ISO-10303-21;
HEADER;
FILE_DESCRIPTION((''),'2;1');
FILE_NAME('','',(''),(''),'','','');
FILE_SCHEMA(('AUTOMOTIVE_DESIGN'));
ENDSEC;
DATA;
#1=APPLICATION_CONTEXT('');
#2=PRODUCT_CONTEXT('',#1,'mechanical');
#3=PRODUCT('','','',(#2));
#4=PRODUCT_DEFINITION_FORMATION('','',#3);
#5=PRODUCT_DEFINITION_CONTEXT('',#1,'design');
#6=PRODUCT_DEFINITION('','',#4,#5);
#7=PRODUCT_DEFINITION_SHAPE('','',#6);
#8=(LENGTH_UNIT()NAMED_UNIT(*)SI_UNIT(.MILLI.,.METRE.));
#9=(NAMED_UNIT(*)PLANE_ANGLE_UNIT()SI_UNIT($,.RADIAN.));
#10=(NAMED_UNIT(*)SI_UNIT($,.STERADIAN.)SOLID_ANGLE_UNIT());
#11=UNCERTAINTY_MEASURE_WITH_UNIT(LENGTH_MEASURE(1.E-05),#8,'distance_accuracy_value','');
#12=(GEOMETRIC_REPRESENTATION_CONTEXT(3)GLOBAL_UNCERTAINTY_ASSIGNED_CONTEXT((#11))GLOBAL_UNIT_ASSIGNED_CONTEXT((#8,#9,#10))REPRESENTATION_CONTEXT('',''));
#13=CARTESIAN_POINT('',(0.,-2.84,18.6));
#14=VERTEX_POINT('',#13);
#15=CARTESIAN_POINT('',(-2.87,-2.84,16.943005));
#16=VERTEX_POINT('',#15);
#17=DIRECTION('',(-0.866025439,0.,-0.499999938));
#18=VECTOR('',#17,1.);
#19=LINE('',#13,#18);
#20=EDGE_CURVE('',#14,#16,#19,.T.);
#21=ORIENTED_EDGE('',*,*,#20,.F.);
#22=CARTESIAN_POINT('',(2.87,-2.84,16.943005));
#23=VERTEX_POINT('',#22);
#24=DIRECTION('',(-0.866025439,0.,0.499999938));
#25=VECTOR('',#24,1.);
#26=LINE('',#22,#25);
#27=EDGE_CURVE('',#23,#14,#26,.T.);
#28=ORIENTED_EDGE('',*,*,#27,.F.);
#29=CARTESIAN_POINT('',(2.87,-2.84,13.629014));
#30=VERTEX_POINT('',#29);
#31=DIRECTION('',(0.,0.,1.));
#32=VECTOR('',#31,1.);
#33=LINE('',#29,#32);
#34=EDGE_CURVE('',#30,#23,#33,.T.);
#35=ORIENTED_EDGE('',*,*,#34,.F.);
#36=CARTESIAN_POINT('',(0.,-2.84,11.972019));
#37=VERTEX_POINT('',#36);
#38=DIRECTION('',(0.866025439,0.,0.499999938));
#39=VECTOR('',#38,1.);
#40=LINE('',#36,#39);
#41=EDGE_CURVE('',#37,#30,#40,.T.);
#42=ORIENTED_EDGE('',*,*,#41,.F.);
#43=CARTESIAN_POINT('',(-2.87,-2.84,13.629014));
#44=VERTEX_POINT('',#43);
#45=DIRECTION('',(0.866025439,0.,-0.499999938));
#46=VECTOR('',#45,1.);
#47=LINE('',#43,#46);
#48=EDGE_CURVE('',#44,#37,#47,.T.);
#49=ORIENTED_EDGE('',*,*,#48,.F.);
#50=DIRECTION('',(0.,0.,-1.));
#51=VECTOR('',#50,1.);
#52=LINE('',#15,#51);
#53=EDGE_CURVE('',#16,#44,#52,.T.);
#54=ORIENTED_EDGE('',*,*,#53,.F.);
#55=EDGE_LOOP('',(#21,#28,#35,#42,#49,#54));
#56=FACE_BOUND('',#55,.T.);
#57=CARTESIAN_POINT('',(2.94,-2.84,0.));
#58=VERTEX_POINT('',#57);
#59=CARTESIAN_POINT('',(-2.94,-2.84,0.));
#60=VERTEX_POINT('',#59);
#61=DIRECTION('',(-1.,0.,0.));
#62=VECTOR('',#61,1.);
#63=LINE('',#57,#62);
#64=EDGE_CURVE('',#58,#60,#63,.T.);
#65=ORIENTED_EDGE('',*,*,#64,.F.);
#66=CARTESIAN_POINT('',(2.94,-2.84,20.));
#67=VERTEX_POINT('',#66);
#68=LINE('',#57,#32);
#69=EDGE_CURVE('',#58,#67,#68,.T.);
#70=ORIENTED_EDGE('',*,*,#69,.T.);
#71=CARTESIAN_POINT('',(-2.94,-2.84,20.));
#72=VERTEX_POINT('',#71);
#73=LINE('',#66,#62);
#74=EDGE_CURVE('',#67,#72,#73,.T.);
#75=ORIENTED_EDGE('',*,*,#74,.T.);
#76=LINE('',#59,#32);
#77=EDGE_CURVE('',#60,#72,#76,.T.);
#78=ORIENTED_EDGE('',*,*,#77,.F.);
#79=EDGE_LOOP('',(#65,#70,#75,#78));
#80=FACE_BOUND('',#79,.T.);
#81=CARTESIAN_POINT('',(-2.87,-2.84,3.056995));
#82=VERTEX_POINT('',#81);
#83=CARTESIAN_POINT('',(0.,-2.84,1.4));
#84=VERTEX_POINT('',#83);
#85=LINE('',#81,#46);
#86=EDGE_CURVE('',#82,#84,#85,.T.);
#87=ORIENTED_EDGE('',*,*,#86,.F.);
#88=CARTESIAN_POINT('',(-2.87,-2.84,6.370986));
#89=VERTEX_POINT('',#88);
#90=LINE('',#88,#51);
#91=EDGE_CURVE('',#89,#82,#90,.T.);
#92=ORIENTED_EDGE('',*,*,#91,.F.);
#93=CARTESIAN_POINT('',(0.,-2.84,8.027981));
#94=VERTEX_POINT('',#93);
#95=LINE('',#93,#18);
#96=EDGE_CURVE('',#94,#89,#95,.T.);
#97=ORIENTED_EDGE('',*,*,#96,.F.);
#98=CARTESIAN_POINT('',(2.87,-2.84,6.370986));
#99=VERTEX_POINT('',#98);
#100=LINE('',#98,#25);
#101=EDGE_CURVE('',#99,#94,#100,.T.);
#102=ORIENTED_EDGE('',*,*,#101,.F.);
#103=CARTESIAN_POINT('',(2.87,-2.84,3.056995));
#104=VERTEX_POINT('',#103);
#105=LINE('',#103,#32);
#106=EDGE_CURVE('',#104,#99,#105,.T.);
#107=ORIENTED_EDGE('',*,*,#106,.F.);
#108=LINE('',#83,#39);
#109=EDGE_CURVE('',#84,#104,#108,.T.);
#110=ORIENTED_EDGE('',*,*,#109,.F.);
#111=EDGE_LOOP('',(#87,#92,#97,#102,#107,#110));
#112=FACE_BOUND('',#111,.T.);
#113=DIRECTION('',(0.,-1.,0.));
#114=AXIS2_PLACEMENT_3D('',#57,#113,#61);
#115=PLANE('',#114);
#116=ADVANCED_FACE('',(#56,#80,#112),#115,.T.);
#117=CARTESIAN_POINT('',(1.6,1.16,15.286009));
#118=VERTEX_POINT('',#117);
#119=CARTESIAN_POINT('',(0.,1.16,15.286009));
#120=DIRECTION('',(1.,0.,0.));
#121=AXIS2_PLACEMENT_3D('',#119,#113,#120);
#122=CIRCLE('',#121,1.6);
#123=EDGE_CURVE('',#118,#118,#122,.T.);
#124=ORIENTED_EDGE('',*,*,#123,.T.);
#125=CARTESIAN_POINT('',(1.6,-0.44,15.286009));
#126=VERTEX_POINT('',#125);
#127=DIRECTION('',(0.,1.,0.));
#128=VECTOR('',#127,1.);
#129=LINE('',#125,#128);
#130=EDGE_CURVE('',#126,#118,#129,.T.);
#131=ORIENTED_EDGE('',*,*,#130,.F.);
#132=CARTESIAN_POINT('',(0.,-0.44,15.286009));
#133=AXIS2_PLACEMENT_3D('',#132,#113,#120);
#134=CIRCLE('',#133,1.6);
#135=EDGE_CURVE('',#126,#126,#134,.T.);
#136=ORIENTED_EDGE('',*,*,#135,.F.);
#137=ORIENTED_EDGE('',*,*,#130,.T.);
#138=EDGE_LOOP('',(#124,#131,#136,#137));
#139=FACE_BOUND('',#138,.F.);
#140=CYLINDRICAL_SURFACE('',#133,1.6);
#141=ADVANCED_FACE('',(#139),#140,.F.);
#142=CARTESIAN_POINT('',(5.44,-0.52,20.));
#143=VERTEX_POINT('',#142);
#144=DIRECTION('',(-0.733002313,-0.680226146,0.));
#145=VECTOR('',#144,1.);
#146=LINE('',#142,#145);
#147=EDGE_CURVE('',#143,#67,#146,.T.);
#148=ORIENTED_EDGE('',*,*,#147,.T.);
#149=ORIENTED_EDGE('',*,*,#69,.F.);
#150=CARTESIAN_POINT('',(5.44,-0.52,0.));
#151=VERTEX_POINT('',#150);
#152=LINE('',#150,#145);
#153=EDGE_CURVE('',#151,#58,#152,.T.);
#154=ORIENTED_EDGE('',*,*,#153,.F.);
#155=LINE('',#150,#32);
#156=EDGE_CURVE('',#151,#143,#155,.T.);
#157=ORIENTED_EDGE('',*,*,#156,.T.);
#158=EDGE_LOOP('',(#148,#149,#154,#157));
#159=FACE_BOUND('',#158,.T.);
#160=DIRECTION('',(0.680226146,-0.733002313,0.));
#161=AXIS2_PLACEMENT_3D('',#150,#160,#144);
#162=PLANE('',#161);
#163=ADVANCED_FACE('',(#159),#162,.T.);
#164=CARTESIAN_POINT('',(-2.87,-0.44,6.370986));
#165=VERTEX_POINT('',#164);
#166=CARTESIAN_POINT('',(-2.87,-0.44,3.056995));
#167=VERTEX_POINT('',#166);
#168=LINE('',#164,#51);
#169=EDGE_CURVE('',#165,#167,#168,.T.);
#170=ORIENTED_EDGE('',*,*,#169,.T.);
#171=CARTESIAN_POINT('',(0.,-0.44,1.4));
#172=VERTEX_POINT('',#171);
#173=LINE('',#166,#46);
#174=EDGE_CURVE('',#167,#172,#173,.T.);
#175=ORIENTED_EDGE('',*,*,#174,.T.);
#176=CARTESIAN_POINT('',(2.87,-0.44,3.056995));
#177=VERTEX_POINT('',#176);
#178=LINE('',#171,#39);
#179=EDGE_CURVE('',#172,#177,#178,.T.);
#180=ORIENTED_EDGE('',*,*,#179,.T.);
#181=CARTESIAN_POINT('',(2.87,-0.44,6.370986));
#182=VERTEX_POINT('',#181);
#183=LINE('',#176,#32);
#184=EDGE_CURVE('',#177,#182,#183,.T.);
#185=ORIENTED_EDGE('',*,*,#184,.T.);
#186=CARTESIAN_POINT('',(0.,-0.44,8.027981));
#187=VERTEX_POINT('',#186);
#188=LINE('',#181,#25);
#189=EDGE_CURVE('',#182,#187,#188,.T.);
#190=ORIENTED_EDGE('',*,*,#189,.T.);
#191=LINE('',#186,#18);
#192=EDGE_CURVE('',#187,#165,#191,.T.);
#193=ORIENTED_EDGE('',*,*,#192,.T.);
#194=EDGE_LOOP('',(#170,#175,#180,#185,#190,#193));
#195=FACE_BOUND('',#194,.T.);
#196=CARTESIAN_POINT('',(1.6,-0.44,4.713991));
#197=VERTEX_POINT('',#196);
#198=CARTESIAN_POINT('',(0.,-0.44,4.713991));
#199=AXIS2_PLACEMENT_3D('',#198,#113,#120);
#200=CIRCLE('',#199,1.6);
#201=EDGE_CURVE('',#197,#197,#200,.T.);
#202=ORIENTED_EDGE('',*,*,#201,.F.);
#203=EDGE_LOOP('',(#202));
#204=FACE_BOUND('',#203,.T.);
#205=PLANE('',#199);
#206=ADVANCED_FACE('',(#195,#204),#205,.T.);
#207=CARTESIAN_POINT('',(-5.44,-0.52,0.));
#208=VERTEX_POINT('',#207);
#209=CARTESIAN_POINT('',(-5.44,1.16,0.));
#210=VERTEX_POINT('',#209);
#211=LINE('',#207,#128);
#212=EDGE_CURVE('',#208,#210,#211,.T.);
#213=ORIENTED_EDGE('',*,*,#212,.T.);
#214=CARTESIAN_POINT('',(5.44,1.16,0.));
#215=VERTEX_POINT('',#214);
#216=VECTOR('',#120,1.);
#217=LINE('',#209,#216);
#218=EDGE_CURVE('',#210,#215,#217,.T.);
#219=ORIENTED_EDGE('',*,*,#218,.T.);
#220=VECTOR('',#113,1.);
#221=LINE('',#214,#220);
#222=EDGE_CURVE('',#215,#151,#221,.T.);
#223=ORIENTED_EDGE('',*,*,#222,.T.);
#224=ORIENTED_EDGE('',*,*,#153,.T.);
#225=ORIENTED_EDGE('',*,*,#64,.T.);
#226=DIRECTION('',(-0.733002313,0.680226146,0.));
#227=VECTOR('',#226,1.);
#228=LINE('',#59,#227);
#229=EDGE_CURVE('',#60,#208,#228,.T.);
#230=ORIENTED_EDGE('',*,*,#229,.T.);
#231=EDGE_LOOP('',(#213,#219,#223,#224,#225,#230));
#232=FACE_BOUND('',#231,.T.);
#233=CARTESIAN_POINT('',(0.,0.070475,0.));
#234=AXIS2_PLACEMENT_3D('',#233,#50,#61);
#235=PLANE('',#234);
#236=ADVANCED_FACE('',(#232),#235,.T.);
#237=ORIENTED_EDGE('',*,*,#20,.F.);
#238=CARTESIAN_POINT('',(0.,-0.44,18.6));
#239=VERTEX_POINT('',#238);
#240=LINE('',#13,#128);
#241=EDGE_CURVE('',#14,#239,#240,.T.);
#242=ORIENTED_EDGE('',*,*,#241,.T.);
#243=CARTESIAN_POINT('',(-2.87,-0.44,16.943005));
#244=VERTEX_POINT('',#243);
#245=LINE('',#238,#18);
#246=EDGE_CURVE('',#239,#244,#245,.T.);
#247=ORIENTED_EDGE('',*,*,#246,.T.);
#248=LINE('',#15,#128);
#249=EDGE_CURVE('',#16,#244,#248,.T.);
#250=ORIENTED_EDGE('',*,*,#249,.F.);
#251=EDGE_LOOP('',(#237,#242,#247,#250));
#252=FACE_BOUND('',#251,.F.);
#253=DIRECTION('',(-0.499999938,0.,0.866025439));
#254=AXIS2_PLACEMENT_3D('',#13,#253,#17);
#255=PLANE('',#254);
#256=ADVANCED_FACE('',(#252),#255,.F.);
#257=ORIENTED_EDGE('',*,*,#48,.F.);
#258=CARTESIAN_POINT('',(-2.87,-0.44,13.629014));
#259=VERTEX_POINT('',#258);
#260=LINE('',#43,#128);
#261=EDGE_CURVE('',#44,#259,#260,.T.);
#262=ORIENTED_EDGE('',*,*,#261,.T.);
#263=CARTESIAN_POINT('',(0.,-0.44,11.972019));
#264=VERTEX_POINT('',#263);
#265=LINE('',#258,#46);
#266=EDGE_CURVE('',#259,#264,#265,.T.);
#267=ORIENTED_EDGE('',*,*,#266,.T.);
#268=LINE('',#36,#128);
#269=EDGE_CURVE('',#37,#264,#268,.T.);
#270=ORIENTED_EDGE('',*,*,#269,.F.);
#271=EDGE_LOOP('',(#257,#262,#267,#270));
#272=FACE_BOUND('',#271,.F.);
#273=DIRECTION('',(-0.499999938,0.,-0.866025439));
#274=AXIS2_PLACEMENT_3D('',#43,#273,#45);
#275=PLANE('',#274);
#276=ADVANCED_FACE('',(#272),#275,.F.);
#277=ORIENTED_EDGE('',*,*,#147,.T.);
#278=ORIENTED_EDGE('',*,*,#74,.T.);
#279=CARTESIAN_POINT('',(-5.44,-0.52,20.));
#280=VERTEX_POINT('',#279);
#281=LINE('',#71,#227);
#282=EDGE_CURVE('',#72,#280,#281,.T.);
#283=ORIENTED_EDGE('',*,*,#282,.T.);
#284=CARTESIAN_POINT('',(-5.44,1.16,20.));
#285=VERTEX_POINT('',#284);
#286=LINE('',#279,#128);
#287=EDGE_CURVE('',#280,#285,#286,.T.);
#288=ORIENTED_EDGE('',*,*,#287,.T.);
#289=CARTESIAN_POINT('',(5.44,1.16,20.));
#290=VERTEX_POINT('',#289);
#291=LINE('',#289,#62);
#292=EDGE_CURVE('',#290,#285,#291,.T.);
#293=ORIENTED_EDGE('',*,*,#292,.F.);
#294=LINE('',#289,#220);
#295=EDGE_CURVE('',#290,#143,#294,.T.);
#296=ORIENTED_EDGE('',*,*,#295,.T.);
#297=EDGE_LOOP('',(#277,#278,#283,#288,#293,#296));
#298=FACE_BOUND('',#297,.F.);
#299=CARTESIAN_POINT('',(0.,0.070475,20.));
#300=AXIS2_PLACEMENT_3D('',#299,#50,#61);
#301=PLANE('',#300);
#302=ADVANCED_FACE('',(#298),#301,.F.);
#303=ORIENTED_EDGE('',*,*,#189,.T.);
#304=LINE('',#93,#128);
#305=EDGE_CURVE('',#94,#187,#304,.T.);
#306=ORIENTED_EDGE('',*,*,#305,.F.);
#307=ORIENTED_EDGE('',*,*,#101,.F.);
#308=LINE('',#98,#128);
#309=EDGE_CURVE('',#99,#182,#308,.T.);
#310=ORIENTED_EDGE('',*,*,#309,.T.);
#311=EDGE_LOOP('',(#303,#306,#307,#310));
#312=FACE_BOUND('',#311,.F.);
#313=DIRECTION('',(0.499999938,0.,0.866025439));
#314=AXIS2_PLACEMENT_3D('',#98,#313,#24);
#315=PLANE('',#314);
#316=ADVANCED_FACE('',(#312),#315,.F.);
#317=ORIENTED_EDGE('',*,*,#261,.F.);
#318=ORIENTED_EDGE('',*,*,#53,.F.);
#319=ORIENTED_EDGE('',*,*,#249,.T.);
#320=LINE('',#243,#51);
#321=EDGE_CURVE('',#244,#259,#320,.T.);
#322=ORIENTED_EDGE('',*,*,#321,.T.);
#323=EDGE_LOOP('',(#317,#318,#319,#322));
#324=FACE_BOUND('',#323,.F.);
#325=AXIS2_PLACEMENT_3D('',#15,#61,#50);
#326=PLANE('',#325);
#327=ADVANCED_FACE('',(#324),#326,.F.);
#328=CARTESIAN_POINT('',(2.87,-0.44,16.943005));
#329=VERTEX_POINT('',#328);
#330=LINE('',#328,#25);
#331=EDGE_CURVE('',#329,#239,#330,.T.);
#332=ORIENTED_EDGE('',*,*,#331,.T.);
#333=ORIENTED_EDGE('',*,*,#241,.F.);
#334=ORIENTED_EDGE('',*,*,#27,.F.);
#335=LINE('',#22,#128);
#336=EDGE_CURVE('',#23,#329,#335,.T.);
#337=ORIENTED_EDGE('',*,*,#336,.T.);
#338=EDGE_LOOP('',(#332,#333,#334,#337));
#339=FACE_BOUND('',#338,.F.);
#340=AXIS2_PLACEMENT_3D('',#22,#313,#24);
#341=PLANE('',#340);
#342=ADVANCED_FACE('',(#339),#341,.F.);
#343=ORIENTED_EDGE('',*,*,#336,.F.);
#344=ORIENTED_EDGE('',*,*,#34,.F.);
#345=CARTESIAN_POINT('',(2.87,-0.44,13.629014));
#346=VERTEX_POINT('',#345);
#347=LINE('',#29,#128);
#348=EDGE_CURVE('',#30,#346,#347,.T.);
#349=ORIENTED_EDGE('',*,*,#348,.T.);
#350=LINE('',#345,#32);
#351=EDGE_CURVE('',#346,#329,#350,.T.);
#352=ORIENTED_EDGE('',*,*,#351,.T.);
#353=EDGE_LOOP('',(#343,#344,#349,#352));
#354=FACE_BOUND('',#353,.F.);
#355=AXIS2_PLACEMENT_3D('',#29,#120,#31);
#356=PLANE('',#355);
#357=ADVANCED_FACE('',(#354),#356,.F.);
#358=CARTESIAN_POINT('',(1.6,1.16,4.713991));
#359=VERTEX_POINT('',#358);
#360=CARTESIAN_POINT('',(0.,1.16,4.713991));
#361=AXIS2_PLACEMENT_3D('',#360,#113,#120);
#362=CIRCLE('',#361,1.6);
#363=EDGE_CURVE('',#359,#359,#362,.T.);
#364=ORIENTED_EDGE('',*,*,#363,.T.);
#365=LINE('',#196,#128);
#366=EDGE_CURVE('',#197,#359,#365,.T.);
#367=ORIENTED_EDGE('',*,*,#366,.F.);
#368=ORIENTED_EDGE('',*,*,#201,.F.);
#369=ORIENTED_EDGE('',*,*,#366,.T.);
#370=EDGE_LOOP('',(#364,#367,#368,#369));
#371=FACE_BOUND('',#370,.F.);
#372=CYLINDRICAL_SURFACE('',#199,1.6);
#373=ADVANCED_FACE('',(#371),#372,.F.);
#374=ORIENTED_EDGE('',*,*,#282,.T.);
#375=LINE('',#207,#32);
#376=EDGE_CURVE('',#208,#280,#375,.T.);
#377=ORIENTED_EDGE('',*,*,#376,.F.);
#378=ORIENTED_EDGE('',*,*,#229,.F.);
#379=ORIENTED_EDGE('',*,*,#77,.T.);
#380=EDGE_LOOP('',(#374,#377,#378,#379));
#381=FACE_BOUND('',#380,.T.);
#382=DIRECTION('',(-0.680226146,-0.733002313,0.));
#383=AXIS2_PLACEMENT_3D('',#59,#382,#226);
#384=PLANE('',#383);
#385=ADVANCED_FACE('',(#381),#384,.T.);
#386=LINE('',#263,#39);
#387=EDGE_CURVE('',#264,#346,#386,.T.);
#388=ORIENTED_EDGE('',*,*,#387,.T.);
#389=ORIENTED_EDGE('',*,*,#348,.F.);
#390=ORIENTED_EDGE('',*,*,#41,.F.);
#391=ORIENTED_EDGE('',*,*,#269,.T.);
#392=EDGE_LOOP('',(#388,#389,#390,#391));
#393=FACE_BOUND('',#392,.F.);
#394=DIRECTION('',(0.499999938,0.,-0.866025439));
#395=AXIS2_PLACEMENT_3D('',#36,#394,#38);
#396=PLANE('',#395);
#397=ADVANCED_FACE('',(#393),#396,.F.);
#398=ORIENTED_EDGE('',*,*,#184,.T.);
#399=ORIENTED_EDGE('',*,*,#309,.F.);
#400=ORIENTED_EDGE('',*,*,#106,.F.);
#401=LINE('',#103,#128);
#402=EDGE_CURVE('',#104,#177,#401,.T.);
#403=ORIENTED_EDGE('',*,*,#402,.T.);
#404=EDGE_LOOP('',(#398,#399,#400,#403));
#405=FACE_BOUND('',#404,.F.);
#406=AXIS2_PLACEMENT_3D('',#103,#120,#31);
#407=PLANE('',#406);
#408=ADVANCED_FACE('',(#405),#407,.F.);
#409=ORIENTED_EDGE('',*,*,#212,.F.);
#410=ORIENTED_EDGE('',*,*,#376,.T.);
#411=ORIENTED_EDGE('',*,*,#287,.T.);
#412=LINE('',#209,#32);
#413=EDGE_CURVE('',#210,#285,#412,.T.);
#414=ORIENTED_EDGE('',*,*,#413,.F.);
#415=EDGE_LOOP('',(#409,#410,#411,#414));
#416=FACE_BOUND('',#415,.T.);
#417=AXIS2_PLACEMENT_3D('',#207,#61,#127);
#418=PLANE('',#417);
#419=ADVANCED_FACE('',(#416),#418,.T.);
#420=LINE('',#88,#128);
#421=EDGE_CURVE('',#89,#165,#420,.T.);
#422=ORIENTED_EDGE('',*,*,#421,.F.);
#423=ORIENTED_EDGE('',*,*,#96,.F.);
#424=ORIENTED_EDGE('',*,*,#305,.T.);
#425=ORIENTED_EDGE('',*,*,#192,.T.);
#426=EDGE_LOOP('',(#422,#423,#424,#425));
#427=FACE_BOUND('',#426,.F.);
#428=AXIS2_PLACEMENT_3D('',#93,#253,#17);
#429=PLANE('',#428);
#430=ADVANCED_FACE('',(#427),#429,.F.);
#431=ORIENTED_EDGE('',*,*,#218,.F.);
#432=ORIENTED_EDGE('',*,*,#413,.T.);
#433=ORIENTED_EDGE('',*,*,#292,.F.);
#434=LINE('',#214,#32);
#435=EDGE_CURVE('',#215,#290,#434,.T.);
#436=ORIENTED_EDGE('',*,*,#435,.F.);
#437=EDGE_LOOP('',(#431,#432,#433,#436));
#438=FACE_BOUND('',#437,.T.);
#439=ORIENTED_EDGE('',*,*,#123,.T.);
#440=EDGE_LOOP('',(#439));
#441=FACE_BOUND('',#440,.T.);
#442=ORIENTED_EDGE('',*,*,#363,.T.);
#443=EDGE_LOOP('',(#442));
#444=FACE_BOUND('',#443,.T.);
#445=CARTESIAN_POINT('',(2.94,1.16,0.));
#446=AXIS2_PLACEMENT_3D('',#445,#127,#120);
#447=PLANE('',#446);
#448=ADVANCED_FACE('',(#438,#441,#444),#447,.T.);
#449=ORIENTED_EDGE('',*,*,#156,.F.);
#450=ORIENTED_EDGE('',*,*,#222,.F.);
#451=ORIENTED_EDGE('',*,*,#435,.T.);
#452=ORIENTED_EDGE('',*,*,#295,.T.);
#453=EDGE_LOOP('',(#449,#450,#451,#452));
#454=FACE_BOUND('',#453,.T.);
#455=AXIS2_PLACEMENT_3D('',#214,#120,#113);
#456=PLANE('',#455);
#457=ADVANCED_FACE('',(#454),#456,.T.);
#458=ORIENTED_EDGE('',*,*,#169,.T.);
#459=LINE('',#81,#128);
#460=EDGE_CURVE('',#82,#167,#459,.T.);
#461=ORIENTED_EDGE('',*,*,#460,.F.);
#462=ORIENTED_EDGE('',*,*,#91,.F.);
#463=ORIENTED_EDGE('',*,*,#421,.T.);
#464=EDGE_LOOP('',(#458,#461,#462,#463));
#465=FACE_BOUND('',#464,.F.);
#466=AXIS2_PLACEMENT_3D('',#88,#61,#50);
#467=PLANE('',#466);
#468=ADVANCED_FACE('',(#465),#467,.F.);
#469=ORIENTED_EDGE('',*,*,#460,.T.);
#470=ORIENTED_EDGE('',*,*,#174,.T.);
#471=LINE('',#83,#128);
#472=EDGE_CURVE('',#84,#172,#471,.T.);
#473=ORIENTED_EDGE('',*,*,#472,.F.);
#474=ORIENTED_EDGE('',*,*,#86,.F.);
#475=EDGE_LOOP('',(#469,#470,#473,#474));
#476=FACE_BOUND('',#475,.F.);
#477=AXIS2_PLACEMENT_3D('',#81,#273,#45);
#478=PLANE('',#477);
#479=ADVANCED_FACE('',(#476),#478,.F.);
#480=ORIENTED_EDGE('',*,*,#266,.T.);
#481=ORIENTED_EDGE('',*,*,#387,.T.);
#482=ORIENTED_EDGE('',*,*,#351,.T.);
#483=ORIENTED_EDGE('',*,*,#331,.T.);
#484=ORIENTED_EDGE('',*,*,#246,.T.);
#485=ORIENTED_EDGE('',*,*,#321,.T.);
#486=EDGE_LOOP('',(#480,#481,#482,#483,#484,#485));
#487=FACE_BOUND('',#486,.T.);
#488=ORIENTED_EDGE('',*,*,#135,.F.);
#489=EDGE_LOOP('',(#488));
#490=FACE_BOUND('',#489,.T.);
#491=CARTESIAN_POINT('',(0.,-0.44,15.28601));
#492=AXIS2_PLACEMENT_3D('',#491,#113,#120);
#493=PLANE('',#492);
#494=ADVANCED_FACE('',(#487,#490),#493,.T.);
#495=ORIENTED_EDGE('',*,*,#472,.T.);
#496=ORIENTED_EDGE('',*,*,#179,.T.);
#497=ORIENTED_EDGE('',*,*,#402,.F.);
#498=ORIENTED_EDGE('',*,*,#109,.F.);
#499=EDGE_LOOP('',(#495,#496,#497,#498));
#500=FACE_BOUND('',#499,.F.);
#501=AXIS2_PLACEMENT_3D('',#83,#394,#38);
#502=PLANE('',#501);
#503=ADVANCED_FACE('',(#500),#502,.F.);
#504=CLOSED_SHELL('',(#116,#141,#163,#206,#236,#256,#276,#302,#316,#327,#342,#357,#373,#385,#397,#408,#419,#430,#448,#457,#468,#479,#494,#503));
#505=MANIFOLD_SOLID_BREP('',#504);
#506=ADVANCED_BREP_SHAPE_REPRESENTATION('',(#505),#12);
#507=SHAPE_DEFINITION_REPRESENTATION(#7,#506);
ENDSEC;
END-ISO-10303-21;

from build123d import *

# Parameters (mm, degrees)
PAD_DEPTH       = 20
SKETCH001_W     = 5.88
SKETCH001_H     = 1.68
POCKET_DEPTH    = 20
POCKET001_DEPTH = 2.4
SKETCH003_R     = 1.6
POCKET002_DEPTH = 1.6


with BuildPart() as part:
    # Sketch → Pad (new body)
    with BuildSketch(Plane.XY):
        Polygon((2.94, -2.84), (-2.94, -2.84), (-5.44, -0.52), (-5.44, 1.16), (-2.94, 1.16), (-2.94, 2.84), (2.94, 2.84), (2.94, 1.16), (5.44, 1.16), (5.44, -0.52), align=None)
    extrude(amount=PAD_DEPTH)

    # Sketch001 (on Face11 of Pad) → Pocket (cut)
    with BuildSketch(Plane(origin=(0, 0, 0), x_dir=(1, 0, 0), z_dir=(0, 0, -1))):
        with Locations((0, -2)):
            Rectangle(SKETCH001_W, SKETCH001_H)
    extrude(amount=-POCKET_DEPTH, mode=Mode.SUBTRACT)

    # Sketch002 (on Face1 of Pocket) → Pocket001 (cut)
    with BuildSketch(Plane.XZ.offset(2.84)):
        Polygon((0, 18.6), (-2.87, 16.943005), (-2.87, 13.629014), (0, 11.972019), (2.87, 13.629014), (2.87, 16.943005), align=None)
        Polygon((2.87, 6.370986), (0, 8.027981), (-2.87, 6.370986), (-2.87, 3.056995), (0, 1.4), (2.87, 3.056995), align=None)
    extrude(amount=-POCKET001_DEPTH, mode=Mode.SUBTRACT)

    # Sketch003 (on Face24 of Pocket001) → Pocket002 (cut)
    with BuildSketch(Plane.XZ.offset(0.44)):
        with Locations((0, 15.286009)):
            Circle(SKETCH003_R)
        with Locations((0, 4.713991)):
            Circle(SKETCH003_R)
    extrude(amount=-POCKET002_DEPTH, mode=Mode.SUBTRACT)


solid = part.part
